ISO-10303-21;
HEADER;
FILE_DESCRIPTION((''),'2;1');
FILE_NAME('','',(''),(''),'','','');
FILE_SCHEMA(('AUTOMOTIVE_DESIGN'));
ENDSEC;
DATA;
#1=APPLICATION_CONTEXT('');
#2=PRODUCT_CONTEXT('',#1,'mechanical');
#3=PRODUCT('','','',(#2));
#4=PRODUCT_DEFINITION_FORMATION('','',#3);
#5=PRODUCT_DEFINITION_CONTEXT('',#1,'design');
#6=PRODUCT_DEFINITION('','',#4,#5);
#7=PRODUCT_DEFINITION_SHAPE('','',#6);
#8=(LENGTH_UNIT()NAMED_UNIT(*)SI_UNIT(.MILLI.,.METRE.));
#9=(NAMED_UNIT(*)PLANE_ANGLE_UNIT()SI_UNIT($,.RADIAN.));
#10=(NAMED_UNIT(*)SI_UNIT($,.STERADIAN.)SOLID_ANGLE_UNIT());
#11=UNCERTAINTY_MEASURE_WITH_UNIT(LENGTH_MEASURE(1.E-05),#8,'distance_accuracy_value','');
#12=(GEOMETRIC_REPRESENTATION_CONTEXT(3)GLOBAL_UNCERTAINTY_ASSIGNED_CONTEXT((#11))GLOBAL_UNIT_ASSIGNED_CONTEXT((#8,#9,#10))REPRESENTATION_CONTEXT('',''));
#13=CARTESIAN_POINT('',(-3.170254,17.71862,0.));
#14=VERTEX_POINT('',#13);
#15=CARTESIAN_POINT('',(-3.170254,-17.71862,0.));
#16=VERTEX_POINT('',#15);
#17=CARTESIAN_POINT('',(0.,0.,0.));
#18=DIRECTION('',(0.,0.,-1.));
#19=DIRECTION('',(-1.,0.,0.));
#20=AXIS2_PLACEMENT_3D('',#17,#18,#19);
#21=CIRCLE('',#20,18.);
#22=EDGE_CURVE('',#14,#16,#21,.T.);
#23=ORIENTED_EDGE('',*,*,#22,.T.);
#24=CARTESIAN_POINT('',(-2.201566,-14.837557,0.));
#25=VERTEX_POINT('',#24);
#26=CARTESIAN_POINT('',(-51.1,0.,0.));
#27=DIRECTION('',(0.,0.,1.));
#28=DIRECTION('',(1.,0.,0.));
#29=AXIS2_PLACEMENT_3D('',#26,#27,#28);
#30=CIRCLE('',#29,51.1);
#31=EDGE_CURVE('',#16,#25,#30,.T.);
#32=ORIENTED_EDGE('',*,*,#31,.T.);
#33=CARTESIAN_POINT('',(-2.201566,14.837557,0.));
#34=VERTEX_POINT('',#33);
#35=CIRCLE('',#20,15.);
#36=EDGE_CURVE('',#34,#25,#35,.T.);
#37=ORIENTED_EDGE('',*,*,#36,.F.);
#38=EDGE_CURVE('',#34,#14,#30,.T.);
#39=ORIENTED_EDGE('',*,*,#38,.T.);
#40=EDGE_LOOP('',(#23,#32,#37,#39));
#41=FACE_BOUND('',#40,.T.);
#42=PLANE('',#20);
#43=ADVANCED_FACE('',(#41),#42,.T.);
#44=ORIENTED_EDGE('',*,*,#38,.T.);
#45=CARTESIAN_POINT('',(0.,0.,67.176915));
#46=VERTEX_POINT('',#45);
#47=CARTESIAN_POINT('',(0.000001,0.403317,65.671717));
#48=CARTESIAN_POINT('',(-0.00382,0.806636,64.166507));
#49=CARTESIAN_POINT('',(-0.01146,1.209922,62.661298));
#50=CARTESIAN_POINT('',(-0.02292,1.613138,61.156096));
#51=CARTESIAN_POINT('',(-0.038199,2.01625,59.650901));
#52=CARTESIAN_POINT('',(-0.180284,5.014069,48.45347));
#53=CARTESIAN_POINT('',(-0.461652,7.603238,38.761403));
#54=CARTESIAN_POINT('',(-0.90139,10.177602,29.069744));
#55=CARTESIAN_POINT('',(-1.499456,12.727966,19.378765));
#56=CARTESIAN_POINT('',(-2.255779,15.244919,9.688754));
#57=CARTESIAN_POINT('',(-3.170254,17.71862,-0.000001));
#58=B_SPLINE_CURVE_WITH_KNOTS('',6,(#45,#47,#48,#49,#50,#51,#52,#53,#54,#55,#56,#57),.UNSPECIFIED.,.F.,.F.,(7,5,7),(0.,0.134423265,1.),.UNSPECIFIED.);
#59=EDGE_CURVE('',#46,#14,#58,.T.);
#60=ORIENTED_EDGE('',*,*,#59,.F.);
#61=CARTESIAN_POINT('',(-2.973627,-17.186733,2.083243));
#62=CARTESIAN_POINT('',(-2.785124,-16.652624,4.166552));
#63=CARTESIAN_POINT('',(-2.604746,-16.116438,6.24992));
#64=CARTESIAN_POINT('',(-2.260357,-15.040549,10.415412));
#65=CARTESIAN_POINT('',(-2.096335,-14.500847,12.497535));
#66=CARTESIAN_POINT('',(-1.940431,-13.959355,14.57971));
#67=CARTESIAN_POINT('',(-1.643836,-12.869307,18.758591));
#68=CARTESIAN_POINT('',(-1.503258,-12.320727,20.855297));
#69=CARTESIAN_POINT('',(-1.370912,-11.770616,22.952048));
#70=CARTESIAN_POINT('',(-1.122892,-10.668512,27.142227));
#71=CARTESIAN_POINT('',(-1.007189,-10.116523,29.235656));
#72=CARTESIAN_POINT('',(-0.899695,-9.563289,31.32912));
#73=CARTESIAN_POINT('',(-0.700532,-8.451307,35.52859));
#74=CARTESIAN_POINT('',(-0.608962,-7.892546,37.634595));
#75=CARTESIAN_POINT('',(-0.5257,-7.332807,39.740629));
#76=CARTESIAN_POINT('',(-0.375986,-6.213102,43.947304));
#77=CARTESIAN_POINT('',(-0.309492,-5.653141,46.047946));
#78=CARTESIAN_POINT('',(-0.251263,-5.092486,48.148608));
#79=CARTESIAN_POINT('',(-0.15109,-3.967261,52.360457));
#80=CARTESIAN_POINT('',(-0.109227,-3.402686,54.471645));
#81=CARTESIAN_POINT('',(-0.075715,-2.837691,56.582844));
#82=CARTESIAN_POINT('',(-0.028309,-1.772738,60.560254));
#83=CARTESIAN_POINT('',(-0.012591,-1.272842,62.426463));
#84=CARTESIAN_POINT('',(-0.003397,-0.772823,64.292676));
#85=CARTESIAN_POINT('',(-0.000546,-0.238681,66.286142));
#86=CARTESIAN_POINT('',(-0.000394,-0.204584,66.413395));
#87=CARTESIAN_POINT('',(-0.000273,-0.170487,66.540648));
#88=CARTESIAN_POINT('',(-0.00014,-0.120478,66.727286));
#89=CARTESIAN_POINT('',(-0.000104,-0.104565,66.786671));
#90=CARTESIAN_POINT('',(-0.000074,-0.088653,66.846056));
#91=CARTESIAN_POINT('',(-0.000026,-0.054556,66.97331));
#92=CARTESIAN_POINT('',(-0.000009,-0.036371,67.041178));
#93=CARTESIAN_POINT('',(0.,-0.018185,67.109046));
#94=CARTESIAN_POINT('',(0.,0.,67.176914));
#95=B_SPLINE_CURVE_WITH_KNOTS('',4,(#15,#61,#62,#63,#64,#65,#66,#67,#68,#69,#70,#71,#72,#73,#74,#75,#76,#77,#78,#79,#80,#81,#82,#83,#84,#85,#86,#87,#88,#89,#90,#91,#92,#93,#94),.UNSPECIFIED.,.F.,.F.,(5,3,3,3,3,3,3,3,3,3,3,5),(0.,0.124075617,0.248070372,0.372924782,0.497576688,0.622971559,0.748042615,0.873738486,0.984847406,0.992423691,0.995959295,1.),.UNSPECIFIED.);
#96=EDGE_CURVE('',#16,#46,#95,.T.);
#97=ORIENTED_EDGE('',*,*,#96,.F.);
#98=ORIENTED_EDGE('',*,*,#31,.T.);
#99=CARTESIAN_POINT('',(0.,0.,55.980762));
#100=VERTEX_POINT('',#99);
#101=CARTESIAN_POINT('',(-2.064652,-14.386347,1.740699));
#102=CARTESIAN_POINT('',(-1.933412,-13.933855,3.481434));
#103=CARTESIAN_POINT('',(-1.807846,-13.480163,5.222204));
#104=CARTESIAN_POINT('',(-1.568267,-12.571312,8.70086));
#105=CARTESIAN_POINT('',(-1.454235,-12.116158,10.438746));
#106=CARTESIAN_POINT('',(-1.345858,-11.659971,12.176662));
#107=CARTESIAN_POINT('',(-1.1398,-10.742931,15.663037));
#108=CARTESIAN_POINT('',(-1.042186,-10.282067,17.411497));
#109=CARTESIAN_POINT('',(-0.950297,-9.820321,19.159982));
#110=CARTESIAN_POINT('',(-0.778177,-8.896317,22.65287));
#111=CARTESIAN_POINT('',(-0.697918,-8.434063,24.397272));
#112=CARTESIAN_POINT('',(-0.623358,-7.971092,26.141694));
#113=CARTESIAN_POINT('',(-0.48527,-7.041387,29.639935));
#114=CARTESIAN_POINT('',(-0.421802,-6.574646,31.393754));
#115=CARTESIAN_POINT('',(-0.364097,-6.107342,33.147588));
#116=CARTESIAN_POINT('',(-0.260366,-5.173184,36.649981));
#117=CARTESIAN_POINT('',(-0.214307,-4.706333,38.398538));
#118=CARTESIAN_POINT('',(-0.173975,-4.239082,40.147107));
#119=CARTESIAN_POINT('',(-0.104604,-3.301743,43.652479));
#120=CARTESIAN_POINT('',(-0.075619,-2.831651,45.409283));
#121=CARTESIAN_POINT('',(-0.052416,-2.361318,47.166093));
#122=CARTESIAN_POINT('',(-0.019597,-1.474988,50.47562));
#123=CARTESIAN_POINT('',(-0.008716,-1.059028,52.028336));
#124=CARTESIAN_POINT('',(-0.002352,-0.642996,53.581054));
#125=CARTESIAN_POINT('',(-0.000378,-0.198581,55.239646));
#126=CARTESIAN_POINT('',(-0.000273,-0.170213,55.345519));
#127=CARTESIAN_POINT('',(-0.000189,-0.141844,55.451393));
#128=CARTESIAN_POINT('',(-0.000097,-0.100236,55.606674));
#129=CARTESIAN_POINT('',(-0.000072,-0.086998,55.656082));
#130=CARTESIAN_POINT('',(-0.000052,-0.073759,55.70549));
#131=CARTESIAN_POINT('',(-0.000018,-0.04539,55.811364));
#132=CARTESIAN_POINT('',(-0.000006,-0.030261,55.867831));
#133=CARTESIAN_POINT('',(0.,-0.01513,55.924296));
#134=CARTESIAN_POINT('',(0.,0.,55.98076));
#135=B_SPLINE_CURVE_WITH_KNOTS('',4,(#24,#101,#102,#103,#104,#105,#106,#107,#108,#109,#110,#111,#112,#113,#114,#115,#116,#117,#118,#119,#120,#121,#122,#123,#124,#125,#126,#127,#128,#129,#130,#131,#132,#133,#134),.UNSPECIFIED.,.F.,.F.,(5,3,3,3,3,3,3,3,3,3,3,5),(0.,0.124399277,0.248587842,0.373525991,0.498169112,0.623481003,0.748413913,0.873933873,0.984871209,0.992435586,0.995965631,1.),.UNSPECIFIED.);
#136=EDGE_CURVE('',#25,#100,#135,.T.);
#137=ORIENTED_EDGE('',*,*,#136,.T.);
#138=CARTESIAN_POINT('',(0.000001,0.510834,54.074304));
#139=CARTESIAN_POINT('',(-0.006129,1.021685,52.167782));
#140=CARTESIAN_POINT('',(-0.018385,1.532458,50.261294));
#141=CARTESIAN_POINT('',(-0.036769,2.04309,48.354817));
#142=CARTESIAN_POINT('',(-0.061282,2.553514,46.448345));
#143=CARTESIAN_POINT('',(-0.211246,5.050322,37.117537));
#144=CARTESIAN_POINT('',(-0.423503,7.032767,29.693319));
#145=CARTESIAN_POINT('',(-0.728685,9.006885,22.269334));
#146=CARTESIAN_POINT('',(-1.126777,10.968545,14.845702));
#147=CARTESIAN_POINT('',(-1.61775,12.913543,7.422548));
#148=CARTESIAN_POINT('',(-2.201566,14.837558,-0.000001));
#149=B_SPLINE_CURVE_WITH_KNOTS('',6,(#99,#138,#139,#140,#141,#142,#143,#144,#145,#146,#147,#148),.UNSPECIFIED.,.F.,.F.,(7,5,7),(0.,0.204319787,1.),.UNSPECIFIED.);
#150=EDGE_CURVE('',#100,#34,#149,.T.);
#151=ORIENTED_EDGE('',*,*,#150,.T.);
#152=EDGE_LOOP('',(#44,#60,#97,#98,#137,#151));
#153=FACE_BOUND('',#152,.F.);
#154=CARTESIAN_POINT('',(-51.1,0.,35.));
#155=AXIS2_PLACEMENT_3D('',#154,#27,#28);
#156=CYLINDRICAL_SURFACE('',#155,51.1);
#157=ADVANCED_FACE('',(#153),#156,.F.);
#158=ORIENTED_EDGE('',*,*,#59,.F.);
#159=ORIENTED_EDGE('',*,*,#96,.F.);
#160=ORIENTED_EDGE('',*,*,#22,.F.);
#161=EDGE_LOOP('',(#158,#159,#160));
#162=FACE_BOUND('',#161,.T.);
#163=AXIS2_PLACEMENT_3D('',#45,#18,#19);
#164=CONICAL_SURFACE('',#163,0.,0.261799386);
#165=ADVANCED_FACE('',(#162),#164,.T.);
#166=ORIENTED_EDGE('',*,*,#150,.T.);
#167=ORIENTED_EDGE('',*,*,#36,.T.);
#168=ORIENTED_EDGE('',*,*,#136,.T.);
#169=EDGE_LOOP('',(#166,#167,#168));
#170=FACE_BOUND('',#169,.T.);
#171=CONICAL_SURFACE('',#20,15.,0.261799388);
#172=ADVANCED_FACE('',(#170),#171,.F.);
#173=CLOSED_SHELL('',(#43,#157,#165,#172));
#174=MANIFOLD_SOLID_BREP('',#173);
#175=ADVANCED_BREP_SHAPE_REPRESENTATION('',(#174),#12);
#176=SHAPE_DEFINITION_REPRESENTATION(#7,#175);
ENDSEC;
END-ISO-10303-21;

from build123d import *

# Parameters (mm, degrees)
F2_W = 51.1
F2_H = 70


with BuildPart() as f1:
    # F0 (on Front) → F1 (revolve)
    with BuildSketch(Plane.XZ):
        Polygon((-18, 0), (-15, 0), (0, 55.980762), (0, 67.176915), align=None)
    revolve(axis=Axis((0, 0, -5.671357), (0, 0, -1)))

    # F2 (on Front) → F3 (revolve, cut)
    with BuildSketch(Plane.XZ):
        with Locations((-25.55, 35)):
            Rectangle(F2_W, F2_H)
    revolve(axis=Axis((-51.1, 0, 35), (0, 0, 1)), mode=Mode.SUBTRACT)


solid = f1.part
